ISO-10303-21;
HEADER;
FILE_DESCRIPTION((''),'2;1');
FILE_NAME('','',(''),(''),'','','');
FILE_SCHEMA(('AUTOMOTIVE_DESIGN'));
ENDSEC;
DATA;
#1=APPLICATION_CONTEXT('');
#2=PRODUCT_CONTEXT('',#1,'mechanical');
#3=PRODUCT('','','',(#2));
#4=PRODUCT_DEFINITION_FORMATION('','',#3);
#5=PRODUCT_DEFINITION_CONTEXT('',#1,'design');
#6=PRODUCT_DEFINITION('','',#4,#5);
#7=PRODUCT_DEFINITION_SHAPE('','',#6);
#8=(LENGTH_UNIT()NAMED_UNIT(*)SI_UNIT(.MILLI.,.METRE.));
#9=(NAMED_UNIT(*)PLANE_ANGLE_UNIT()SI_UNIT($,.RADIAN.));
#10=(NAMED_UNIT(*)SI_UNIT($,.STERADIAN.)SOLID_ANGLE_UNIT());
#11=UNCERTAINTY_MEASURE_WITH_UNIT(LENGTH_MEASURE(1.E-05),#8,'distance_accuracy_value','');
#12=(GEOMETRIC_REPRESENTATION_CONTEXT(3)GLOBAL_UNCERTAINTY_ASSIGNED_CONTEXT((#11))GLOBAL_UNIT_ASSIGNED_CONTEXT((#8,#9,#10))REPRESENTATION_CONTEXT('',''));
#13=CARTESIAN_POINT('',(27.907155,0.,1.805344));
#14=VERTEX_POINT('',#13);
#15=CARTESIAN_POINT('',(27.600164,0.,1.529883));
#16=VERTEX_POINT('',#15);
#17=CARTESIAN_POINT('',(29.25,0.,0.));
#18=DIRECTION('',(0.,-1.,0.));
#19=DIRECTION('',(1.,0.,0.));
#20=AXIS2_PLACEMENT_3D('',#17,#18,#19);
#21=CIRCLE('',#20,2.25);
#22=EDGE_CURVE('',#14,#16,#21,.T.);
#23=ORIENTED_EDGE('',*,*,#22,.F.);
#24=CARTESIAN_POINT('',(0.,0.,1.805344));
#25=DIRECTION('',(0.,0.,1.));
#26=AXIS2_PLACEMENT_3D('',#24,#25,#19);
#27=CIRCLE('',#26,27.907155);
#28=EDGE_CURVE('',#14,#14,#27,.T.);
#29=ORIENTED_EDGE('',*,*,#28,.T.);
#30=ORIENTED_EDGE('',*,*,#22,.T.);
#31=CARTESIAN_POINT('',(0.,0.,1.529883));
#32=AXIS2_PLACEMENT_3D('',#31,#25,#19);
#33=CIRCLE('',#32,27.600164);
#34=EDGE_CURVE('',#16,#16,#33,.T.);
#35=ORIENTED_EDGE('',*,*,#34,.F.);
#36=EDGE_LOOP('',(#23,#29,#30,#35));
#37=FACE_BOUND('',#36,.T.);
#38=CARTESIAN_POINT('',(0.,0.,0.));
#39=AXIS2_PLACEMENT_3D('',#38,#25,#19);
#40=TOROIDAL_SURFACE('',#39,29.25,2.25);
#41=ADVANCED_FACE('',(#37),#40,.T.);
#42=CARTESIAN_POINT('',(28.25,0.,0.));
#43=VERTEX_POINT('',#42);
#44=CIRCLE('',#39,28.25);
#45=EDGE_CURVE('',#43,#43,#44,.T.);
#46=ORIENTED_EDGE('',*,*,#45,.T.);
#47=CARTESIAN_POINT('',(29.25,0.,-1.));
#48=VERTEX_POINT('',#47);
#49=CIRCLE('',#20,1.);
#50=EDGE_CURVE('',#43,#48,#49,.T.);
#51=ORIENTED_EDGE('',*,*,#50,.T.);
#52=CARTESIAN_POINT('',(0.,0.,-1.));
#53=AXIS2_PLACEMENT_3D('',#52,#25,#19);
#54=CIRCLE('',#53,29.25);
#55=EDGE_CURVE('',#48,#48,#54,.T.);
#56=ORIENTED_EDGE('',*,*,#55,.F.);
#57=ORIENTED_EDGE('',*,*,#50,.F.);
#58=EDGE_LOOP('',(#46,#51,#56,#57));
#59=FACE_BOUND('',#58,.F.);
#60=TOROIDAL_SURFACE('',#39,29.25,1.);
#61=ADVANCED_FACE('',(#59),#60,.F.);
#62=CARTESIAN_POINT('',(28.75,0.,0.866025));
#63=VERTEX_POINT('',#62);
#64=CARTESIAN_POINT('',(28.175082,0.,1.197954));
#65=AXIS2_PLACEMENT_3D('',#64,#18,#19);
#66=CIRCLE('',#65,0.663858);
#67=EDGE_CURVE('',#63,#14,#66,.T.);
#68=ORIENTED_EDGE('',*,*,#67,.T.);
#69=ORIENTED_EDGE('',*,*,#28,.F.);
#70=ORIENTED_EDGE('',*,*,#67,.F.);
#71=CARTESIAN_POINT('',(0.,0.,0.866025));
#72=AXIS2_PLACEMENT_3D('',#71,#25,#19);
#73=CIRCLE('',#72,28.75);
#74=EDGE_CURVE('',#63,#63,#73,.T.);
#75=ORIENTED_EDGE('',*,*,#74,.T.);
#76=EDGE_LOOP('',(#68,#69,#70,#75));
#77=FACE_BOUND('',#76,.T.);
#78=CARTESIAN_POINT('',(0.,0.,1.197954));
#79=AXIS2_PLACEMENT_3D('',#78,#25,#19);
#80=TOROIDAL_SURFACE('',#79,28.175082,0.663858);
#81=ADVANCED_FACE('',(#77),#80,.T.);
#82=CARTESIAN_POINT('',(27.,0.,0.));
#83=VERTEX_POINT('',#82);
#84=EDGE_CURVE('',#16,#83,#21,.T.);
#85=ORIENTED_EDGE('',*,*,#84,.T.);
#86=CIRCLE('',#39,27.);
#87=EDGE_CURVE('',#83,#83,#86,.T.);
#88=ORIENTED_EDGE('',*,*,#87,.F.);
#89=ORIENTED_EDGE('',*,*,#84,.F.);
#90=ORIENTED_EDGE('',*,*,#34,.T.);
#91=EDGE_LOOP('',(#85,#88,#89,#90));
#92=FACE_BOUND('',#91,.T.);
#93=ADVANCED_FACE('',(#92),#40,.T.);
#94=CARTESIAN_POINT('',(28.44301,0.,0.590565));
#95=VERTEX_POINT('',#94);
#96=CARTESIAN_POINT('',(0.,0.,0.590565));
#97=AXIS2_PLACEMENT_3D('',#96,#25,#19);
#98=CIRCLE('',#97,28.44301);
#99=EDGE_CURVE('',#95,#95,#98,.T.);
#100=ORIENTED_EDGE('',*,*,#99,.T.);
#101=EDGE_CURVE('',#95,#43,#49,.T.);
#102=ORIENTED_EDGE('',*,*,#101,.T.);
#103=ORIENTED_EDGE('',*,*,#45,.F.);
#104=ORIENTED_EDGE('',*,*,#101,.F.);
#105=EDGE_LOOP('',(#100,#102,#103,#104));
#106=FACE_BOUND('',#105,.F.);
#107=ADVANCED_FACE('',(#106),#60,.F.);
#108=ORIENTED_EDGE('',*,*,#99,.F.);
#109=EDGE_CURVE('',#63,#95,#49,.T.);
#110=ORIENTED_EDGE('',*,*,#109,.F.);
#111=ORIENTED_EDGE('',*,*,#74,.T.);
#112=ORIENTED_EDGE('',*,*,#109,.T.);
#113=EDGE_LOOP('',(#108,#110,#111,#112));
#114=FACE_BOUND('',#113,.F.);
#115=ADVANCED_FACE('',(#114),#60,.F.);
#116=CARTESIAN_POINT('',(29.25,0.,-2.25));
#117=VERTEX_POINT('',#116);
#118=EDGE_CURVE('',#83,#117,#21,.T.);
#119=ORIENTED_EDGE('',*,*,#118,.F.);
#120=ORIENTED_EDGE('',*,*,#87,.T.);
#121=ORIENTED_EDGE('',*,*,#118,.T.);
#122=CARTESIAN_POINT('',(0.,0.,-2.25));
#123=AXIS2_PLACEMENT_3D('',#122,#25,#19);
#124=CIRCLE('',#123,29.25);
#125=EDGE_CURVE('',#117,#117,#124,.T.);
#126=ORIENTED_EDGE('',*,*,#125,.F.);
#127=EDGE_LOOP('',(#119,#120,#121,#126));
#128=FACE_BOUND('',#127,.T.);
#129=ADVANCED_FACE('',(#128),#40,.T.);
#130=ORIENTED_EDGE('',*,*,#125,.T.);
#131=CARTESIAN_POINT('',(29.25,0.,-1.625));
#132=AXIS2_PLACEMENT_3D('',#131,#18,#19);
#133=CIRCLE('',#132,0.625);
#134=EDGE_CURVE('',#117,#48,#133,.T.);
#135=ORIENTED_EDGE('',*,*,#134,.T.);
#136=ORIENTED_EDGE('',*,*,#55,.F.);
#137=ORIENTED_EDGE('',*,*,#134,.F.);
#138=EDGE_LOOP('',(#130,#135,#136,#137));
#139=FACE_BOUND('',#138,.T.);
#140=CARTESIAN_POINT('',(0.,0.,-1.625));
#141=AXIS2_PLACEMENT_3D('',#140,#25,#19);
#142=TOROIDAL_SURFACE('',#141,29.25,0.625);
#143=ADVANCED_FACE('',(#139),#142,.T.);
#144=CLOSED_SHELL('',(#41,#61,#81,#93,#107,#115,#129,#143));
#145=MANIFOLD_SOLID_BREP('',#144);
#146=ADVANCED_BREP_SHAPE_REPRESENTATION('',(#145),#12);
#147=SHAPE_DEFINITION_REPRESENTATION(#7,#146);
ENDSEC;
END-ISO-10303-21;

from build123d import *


with BuildPart() as f2:
    # F2: sweep along a path in F0
    with BuildLine(Plane.XY) as f2_path:
        CenterArc((0, 0), 29.25, 0, 360)
    # F1 (on Front) → F2 (sweep)
    with BuildSketch(Plane.XZ):
        with BuildLine():
            ThreePointArc((-27.9071547348, 1.805343899), (-28.669188062, 1.6413127346), (-28.75, 0.8660254038))
            Line((-28.75, 0.8660254038), (-27.6001644808, 1.5298832503))
            ThreePointArc((-27.6001644808, 1.5298832503), (-27.7473342981, 1.674662888), (-27.9071547348, 1.805343899))
        make_face()
        with BuildLine():
            Line((-27.6001644808, 1.5298832503), (-28.75, 0.8660254038))
            ThreePointArc((-28.75, 0.8660254038), (-28.582148577, 0.7442946169), (-28.443009746, 0.5905647551))
            ThreePointArc((-28.443009746, 0.5905647551), (-27.8125622661, 0.641818994), (-27.5112243939, 1.1979543271))
            ThreePointArc((-27.5112243939, 1.1979543271), (-27.5338448015, 1.369773381), (-27.6001644808, 1.5298832503))
        make_face()
        with BuildLine():
            ThreePointArc((-28.25, 0), (-28.5428932188, -0.7071067812), (-29.25, -1))
            ThreePointArc((-29.25, -1), (-28.8080582618, -1.1830582618), (-28.625, -1.625))
            ThreePointArc((-28.625, -1.625), (-28.8080582618, -2.0669417382), (-29.25, -2.25))
            ThreePointArc((-29.25, -2.25), (-27.6590097423, -1.5909902577), (-27, 0))
            ThreePointArc((-27, 0), (-27.1554081641, 0.8216964408), (-27.6001644808, 1.5298832503))
            ThreePointArc((-27.6001644808, 1.5298832503), (-27.5338448015, 1.369773381), (-27.5112243939, 1.1979543271))
            ThreePointArc((-27.5112243939, 1.1979543271), (-27.8125622661, 0.641818994), (-28.443009746, 0.5905647551))
            ThreePointArc((-28.443009746, 0.5905647551), (-28.2994763932, 0.3106523346), (-28.25, 0))
        make_face()
        with BuildLine():
            ThreePointArc((-28.625, -1.625), (-28.8080582618, -1.1830582618), (-29.25, -1))
            Line((-29.25, -1), (-29.25, -2.25))
            ThreePointArc((-29.25, -2.25), (-28.8080582618, -2.0669417382), (-28.625, -1.625))
        make_face()
        with BuildLine():
            Line((-29.25, -2.25), (-29.25, -1))
            ThreePointArc((-29.25, -1), (-29.875, -1.625), (-29.25, -2.25))
        make_face()
    sweep(path=f2_path.line)


solid = f2.part
